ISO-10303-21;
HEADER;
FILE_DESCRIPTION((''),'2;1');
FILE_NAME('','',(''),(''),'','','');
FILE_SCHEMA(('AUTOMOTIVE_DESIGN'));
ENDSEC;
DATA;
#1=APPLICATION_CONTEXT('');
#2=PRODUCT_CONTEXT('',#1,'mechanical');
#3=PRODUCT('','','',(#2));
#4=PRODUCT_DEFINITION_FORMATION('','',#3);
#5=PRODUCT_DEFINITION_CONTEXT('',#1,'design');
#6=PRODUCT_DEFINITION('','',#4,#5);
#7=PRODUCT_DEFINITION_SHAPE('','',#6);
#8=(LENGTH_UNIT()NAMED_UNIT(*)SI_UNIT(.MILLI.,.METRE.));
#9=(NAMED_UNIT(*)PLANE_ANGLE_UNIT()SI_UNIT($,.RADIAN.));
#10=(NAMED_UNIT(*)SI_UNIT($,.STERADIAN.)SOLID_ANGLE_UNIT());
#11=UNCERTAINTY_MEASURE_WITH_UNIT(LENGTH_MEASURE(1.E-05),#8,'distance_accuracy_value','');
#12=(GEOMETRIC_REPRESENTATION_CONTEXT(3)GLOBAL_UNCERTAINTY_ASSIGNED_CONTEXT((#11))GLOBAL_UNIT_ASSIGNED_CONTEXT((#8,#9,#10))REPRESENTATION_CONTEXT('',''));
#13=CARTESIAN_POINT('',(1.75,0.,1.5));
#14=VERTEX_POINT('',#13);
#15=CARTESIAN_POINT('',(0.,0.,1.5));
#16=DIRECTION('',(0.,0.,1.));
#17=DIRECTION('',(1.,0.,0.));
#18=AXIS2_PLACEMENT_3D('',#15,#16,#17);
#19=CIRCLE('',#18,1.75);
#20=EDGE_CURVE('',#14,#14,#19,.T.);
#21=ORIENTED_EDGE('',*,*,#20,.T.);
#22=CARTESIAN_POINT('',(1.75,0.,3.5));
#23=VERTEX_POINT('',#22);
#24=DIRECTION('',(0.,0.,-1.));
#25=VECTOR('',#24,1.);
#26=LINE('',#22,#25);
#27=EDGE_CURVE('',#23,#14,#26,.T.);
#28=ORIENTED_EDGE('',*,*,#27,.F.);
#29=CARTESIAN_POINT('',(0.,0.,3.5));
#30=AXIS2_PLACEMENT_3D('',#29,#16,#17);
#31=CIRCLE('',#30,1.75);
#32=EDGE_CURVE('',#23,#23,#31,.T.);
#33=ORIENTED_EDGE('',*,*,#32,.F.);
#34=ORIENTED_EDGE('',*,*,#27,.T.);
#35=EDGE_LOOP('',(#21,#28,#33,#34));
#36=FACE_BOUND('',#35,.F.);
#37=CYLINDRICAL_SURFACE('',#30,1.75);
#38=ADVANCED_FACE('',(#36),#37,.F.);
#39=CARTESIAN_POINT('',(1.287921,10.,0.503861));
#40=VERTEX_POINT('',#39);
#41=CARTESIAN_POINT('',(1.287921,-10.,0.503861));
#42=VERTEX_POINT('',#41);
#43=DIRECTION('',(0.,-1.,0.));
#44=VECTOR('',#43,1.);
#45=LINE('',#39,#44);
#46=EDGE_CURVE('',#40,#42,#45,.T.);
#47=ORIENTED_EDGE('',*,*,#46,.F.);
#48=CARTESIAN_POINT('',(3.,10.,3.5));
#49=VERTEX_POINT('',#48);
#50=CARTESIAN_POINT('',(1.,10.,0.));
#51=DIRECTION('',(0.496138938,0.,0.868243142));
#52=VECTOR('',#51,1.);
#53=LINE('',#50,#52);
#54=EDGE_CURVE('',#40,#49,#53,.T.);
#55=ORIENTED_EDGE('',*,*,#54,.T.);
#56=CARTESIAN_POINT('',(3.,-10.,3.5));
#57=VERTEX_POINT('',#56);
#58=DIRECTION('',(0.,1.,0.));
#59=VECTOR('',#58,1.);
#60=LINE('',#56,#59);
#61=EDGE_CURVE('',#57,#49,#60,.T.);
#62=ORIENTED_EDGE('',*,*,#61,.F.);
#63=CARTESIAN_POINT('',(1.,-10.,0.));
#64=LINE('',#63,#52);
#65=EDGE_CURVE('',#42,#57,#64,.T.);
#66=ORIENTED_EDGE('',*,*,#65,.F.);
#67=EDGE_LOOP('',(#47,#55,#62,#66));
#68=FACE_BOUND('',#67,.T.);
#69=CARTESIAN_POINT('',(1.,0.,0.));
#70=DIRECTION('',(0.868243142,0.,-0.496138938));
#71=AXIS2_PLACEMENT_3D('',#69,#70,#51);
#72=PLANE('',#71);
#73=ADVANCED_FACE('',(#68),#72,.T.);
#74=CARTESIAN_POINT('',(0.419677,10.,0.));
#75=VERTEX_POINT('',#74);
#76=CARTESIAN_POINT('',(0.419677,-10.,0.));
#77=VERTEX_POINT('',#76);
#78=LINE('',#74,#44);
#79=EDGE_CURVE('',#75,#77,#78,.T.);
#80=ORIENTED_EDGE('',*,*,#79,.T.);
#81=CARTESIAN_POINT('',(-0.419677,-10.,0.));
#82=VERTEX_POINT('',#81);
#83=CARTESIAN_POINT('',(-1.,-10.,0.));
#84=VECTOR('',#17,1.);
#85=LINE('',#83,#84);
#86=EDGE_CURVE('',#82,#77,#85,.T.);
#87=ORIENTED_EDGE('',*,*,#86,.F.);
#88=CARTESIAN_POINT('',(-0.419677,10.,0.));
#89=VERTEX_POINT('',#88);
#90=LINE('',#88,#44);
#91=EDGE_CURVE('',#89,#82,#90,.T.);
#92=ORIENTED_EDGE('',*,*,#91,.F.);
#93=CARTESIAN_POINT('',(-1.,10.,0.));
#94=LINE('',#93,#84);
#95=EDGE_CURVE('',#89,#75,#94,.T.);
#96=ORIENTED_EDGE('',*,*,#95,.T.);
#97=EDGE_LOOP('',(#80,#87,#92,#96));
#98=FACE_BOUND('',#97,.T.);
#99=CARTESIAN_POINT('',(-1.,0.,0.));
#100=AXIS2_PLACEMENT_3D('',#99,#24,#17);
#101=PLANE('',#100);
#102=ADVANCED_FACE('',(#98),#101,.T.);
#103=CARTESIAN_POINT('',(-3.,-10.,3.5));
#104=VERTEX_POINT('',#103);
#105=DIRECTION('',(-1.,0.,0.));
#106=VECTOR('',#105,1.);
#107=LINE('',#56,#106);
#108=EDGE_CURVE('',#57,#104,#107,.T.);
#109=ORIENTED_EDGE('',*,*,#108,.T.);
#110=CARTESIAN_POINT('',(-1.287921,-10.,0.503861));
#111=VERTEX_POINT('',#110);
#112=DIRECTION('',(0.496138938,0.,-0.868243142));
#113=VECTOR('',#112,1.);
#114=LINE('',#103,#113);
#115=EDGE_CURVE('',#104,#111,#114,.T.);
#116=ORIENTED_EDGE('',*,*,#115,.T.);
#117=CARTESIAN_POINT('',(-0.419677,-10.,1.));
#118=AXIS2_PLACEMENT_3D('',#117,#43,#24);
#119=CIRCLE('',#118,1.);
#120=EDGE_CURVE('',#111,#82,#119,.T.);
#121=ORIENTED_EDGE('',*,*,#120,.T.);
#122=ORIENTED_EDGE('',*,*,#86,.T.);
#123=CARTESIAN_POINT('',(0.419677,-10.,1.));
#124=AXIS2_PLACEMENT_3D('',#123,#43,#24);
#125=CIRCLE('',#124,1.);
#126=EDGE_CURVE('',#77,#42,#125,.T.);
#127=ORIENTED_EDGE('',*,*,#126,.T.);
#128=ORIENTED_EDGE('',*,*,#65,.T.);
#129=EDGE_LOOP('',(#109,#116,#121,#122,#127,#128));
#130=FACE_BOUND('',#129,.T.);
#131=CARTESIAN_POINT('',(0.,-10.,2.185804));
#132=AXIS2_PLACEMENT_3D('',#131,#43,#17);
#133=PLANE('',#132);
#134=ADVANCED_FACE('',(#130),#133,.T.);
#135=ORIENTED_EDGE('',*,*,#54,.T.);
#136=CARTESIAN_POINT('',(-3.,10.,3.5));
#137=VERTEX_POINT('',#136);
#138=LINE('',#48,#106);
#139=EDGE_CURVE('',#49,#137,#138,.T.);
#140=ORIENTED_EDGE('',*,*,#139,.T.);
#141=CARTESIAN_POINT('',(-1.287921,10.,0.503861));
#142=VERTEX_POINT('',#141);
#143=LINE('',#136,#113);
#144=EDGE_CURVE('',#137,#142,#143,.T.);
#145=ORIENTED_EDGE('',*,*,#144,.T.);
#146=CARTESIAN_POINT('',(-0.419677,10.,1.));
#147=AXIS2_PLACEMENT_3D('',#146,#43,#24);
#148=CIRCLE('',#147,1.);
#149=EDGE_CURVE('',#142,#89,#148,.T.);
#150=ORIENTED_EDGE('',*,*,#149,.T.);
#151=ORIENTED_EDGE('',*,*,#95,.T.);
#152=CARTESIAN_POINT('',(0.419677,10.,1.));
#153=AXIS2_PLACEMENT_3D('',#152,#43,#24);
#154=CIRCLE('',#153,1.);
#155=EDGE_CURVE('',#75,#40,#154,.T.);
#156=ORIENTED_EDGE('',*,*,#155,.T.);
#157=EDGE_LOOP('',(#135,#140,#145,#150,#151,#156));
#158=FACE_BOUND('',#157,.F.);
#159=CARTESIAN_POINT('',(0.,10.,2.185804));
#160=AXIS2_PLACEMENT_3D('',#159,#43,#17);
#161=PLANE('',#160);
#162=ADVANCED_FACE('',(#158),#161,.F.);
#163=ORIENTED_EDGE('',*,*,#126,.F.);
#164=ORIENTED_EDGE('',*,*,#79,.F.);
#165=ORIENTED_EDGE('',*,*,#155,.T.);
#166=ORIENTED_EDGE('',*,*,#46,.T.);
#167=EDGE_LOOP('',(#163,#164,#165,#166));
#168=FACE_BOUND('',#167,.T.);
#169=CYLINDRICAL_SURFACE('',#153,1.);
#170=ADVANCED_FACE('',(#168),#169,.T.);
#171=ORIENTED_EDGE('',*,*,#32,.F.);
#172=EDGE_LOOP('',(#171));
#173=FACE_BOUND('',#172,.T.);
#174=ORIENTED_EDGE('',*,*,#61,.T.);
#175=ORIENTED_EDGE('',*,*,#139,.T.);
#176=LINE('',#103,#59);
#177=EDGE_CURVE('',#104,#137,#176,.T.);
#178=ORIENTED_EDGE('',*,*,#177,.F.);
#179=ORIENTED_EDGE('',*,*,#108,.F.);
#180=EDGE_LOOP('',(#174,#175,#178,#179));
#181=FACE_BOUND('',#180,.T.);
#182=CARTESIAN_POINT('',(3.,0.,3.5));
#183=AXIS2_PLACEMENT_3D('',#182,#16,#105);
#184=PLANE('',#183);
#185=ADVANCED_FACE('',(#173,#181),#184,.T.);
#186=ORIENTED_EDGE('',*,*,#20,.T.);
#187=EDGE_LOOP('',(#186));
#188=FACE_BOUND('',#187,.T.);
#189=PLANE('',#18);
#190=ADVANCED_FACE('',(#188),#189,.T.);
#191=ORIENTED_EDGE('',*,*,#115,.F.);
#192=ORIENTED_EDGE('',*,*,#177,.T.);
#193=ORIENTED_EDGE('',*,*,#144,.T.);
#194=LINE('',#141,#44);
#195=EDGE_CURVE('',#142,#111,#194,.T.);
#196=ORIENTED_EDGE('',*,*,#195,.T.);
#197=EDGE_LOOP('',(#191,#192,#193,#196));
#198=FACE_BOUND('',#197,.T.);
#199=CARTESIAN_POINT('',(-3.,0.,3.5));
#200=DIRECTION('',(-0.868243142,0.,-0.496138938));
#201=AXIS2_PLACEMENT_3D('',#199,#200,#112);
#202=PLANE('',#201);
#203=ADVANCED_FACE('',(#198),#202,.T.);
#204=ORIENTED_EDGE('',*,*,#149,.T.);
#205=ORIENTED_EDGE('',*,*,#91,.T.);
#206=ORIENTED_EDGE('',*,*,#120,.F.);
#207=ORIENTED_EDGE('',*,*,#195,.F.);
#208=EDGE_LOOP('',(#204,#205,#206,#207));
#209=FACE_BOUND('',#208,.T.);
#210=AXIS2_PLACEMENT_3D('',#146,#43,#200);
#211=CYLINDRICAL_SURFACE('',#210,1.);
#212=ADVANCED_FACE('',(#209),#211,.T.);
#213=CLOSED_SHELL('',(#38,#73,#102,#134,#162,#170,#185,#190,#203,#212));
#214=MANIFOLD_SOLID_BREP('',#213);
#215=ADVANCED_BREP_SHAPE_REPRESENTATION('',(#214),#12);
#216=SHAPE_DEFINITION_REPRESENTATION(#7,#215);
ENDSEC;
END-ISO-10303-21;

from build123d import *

# Parameters (mm, degrees)
F1_DEPTH = 10
F2_R     = 1.75
F3_DEPTH = 2
F4_R     = 1


with BuildPart() as f1:
    # F0 (on Front) → F1 (new body, symmetric)
    with BuildSketch(Plane.XZ):
        Polygon((-3, 3.5), (-1, 0), (1, 0), (3, 3.5), align=None)
    extrude(amount=F1_DEPTH, both=True)

    # F2 (on face) → F3 (cut)
    with BuildSketch(Plane.XY.offset(3.5)):
        Circle(F2_R)
    extrude(amount=-F3_DEPTH, mode=Mode.SUBTRACT)

    # F4
    f4_edges = [f1.edges().sort_by_distance(p)[0] for p in [
        (1, 0, 0),
        (-1, 0, 0),
    ]]
    fillet(f4_edges, radius=F4_R)


solid = f1.part
